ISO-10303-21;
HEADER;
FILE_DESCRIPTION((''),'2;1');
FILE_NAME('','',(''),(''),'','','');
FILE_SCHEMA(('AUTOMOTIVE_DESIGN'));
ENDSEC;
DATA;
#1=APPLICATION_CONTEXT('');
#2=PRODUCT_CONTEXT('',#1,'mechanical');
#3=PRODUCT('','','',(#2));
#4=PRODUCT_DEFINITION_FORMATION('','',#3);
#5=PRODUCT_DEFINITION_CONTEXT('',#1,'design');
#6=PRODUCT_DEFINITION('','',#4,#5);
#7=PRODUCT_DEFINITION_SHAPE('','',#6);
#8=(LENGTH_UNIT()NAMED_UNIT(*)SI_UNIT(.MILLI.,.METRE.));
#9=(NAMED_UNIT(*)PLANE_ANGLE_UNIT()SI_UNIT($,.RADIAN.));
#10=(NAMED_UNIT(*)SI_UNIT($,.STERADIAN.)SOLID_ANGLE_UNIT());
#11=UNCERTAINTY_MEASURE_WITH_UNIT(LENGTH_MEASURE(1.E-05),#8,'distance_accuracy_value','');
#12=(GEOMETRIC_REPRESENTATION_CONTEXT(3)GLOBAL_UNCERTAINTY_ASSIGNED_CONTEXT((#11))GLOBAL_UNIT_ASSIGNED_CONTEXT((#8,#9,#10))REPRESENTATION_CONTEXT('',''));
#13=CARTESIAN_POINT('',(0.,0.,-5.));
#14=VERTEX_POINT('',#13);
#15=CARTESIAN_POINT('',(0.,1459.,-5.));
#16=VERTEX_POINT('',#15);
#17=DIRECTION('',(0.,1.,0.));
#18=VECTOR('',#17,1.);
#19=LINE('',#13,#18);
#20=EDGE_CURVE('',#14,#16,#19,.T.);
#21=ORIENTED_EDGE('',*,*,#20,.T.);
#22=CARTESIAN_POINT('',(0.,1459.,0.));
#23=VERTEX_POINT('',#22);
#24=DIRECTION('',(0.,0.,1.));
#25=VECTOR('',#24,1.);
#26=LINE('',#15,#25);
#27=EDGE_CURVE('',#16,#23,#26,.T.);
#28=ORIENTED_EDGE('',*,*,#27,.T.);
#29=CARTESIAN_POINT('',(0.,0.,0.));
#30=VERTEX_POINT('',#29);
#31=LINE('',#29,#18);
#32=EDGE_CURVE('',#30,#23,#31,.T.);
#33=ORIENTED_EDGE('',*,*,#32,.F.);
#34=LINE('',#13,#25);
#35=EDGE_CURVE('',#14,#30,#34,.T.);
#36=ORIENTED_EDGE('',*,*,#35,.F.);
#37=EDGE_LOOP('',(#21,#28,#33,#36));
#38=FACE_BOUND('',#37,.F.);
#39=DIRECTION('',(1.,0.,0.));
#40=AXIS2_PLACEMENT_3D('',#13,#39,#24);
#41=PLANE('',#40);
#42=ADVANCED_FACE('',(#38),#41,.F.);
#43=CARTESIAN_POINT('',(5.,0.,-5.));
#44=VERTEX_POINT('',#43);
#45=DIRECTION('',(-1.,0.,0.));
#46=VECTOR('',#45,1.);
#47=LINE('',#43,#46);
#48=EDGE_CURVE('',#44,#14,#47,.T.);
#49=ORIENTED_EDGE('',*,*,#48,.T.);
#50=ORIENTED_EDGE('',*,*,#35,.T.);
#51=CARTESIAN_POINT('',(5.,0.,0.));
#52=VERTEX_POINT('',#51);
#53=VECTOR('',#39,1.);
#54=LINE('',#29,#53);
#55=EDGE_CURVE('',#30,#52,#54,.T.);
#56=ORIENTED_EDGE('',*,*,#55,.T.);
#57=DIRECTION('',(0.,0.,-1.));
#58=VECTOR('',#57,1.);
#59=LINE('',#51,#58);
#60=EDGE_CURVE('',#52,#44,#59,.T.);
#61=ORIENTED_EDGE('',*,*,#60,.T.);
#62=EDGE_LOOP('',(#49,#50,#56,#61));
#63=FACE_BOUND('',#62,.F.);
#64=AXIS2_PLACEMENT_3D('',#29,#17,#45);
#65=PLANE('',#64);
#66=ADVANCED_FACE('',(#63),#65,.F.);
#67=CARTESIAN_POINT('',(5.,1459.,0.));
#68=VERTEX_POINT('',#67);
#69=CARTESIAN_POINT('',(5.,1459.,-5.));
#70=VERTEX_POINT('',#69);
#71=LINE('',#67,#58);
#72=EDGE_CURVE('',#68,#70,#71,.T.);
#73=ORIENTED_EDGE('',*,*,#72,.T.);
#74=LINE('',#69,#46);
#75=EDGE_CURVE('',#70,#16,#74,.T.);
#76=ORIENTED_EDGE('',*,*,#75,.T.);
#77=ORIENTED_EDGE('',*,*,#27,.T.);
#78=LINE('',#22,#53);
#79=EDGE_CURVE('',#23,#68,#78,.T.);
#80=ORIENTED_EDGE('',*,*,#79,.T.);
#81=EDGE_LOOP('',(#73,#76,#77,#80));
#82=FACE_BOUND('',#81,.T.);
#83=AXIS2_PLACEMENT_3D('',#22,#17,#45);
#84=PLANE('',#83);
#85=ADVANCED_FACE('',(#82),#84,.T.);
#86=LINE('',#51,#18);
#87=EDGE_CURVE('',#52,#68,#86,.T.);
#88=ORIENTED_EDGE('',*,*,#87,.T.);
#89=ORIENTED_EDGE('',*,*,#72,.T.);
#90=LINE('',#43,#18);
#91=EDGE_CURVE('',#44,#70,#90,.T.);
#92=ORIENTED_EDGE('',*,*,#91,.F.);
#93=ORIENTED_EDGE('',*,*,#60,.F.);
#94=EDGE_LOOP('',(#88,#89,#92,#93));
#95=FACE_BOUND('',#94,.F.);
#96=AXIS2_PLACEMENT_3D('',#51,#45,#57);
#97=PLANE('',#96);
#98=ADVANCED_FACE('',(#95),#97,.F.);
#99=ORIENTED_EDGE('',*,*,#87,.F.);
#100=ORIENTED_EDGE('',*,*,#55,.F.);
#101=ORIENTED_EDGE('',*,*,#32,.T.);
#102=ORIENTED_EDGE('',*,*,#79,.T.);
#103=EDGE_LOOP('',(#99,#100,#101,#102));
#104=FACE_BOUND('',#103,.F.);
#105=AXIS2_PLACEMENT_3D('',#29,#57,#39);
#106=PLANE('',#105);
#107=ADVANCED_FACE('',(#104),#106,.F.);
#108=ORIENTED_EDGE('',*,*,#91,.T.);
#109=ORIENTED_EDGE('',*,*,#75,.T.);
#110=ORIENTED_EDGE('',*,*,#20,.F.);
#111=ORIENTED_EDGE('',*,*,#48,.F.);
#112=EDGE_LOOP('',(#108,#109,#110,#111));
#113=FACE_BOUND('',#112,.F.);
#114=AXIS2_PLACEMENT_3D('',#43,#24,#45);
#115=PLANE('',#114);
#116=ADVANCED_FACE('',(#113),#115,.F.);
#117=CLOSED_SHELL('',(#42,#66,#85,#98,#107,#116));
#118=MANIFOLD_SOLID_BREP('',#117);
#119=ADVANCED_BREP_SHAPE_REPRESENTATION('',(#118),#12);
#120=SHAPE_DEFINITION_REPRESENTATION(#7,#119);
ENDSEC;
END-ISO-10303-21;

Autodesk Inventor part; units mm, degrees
ref_plane "YZ Plane" through (0, 0, 0) normal (1, 0, 0) x (0, 1, 0)
ref_plane "XZ Plane" through (0, 0, 0) normal (0, 1, 0) x (-1, 0, 0)
ref_plane "XY Plane" through (0, 0, 0) normal (0, 0, 1) x (1, 0, 0)
sketch "Sketch4" plane through (0, 0, 0) normal (0, 1, 0) x (-1, 0, 0)
  line L0 (0, 0) -> (-5, 0)
  line L1 (-5, 0) -> (-5, -5)
  line L2 (-5, -5) -> (0, -5)
  line L3 (0, -5) -> (0, 0)
  dimension "d103" = 5
  dimension "d104" = 5
extrude "Extrusion7" add sketch "Sketch4" along normal blind 1459
properties part number "airfoil"
